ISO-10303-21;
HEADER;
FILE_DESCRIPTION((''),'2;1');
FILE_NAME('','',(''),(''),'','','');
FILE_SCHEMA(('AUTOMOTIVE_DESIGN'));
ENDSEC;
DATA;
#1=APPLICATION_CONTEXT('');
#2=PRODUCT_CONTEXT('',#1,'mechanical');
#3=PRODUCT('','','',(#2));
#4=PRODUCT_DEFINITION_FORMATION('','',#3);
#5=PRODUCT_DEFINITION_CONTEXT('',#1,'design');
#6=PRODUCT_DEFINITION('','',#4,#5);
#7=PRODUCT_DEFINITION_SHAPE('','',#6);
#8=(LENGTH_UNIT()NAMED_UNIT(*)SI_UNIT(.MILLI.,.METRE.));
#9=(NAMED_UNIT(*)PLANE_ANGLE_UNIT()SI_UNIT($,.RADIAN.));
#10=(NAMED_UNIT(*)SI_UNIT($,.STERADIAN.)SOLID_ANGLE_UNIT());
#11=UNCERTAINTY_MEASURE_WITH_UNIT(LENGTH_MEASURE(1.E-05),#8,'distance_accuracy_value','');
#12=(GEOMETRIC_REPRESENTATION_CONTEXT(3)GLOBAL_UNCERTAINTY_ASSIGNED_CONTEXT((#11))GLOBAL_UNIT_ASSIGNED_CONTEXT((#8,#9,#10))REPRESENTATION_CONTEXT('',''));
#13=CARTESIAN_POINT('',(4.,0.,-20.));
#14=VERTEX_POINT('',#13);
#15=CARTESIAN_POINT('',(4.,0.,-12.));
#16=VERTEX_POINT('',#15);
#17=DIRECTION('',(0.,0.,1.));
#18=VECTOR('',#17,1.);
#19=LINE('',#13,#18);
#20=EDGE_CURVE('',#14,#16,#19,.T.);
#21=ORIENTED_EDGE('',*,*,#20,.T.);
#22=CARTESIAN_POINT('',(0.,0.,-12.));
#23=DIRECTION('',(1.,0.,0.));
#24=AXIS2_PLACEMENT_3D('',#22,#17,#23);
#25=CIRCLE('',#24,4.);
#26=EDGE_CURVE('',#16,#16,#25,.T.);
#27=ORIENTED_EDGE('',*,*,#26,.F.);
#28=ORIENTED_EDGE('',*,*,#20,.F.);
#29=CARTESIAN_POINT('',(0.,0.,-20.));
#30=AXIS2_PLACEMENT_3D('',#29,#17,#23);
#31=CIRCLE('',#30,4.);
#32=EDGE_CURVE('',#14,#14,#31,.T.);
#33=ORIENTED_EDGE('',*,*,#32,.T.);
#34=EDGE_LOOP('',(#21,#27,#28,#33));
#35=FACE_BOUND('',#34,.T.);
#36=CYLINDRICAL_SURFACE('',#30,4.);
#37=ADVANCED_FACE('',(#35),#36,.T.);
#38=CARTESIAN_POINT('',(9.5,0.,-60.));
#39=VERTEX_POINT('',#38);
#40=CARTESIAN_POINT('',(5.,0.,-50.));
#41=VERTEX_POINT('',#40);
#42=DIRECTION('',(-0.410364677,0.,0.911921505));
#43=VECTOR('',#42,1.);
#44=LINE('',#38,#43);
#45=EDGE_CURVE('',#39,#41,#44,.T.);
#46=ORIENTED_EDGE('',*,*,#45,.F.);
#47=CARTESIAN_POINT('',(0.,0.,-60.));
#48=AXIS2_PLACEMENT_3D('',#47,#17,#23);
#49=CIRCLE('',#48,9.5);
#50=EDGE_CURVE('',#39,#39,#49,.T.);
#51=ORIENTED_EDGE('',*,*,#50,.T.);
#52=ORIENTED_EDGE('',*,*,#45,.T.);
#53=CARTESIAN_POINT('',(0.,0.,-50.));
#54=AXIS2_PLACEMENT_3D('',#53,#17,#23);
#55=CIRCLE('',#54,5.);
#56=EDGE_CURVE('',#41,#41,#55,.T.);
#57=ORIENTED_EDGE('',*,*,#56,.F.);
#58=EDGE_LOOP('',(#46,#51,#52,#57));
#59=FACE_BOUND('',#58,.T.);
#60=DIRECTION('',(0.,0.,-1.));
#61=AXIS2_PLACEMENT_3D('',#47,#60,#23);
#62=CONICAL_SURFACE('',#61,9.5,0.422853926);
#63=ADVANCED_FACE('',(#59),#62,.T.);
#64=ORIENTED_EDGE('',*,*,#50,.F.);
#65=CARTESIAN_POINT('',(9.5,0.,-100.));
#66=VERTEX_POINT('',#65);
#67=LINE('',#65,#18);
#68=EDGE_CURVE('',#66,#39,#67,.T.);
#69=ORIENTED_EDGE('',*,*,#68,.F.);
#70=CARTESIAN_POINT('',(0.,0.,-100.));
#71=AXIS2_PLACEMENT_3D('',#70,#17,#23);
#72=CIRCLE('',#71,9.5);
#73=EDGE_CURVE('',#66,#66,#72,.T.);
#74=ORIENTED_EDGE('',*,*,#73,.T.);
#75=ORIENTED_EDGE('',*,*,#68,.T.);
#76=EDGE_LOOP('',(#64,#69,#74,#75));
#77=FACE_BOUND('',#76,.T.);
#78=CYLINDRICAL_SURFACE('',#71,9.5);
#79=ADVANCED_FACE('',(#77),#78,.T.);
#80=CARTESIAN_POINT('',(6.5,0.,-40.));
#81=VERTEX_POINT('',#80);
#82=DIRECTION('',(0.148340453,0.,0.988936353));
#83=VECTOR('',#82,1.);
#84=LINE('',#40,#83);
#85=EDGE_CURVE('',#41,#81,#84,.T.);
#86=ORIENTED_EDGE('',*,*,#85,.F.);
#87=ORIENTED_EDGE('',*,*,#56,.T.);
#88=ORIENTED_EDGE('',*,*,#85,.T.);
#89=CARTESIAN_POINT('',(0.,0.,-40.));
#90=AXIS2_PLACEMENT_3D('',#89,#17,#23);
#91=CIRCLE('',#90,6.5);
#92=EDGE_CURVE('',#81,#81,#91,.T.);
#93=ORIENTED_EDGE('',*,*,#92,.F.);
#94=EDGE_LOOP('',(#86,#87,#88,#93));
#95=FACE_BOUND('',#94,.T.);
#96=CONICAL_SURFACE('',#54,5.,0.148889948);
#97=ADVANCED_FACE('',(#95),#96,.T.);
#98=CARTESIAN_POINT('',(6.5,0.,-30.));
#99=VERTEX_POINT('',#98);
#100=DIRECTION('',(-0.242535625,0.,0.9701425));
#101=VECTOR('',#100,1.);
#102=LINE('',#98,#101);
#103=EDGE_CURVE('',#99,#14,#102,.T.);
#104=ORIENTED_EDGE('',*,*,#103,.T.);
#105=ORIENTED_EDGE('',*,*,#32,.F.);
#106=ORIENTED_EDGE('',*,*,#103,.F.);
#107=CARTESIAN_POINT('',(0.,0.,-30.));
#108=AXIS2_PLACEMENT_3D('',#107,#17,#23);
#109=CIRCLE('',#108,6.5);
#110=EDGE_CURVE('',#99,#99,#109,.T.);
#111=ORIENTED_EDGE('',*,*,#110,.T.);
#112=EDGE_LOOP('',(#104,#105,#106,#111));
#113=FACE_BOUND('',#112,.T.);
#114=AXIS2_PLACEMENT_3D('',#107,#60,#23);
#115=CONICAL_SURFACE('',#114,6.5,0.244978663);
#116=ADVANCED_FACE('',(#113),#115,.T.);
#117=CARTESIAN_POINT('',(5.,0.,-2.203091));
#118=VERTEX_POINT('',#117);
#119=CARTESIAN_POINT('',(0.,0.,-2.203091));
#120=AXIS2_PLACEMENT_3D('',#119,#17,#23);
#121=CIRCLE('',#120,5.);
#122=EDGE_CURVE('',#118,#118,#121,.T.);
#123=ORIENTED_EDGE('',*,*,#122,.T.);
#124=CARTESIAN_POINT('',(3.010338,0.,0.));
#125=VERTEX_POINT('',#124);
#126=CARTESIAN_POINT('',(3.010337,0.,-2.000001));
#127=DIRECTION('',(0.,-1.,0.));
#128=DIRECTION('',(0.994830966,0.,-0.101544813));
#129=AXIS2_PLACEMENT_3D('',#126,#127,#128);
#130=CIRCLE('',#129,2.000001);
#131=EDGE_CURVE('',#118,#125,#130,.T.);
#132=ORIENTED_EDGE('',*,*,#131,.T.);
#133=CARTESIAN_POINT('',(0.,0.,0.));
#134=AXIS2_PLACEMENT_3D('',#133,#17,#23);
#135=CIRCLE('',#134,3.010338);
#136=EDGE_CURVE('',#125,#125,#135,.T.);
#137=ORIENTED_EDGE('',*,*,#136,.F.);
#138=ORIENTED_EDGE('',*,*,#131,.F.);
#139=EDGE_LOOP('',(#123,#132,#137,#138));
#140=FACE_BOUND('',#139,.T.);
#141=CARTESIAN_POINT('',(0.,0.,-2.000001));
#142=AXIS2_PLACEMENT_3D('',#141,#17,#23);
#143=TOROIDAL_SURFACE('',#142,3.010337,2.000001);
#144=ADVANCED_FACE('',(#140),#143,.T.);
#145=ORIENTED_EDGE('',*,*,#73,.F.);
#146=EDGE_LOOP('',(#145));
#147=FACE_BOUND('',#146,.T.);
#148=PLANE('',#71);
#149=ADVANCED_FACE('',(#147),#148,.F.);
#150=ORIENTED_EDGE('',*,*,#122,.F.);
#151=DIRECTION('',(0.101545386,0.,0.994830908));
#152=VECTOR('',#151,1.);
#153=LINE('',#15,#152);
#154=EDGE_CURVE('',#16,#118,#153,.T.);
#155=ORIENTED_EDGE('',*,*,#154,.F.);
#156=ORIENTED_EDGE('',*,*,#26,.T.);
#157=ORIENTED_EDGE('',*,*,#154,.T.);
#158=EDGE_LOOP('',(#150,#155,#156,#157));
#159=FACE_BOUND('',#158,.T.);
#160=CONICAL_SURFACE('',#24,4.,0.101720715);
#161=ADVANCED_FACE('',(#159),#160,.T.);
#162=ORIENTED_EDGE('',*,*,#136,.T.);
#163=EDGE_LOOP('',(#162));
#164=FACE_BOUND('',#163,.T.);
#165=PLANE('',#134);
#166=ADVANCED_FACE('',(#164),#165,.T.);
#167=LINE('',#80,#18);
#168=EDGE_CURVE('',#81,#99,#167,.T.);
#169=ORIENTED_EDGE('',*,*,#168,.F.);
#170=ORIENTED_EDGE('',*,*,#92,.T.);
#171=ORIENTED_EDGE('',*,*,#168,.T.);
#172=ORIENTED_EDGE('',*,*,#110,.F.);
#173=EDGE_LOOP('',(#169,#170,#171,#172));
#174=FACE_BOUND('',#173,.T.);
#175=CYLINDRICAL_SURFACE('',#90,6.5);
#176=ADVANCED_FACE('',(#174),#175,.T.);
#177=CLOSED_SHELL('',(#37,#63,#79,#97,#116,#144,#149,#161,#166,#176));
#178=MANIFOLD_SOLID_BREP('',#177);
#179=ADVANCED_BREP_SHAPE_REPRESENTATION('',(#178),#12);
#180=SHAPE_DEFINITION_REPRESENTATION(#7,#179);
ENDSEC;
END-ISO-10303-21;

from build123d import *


with BuildPart() as f1:
    # F0 (on Front) → F1 (revolve)
    with BuildSketch(Plane.XZ):
        with BuildLine():
            Line((4, -20), (4, -12))
            Line((4, -12), (5, -2.203091))
            ThreePointArc((5, -2.203091), (4.494619, -0.659512), (3.010338, 0))
            Line((3.010338, 0), (0, 0))
            Line((0, 0), (0, -100))
            Line((0, -100), (9.5, -100))
            Line((9.5, -100), (9.5, -60))
            Line((9.5, -60), (5, -50))
            Line((5, -50), (6.5, -40))
            Line((6.5, -40), (6.5, -30))
            Line((6.5, -30), (4, -20))
        make_face()
    revolve(axis=Axis((0, 0, -50), (0, 0, 1)))


solid = f1.part
